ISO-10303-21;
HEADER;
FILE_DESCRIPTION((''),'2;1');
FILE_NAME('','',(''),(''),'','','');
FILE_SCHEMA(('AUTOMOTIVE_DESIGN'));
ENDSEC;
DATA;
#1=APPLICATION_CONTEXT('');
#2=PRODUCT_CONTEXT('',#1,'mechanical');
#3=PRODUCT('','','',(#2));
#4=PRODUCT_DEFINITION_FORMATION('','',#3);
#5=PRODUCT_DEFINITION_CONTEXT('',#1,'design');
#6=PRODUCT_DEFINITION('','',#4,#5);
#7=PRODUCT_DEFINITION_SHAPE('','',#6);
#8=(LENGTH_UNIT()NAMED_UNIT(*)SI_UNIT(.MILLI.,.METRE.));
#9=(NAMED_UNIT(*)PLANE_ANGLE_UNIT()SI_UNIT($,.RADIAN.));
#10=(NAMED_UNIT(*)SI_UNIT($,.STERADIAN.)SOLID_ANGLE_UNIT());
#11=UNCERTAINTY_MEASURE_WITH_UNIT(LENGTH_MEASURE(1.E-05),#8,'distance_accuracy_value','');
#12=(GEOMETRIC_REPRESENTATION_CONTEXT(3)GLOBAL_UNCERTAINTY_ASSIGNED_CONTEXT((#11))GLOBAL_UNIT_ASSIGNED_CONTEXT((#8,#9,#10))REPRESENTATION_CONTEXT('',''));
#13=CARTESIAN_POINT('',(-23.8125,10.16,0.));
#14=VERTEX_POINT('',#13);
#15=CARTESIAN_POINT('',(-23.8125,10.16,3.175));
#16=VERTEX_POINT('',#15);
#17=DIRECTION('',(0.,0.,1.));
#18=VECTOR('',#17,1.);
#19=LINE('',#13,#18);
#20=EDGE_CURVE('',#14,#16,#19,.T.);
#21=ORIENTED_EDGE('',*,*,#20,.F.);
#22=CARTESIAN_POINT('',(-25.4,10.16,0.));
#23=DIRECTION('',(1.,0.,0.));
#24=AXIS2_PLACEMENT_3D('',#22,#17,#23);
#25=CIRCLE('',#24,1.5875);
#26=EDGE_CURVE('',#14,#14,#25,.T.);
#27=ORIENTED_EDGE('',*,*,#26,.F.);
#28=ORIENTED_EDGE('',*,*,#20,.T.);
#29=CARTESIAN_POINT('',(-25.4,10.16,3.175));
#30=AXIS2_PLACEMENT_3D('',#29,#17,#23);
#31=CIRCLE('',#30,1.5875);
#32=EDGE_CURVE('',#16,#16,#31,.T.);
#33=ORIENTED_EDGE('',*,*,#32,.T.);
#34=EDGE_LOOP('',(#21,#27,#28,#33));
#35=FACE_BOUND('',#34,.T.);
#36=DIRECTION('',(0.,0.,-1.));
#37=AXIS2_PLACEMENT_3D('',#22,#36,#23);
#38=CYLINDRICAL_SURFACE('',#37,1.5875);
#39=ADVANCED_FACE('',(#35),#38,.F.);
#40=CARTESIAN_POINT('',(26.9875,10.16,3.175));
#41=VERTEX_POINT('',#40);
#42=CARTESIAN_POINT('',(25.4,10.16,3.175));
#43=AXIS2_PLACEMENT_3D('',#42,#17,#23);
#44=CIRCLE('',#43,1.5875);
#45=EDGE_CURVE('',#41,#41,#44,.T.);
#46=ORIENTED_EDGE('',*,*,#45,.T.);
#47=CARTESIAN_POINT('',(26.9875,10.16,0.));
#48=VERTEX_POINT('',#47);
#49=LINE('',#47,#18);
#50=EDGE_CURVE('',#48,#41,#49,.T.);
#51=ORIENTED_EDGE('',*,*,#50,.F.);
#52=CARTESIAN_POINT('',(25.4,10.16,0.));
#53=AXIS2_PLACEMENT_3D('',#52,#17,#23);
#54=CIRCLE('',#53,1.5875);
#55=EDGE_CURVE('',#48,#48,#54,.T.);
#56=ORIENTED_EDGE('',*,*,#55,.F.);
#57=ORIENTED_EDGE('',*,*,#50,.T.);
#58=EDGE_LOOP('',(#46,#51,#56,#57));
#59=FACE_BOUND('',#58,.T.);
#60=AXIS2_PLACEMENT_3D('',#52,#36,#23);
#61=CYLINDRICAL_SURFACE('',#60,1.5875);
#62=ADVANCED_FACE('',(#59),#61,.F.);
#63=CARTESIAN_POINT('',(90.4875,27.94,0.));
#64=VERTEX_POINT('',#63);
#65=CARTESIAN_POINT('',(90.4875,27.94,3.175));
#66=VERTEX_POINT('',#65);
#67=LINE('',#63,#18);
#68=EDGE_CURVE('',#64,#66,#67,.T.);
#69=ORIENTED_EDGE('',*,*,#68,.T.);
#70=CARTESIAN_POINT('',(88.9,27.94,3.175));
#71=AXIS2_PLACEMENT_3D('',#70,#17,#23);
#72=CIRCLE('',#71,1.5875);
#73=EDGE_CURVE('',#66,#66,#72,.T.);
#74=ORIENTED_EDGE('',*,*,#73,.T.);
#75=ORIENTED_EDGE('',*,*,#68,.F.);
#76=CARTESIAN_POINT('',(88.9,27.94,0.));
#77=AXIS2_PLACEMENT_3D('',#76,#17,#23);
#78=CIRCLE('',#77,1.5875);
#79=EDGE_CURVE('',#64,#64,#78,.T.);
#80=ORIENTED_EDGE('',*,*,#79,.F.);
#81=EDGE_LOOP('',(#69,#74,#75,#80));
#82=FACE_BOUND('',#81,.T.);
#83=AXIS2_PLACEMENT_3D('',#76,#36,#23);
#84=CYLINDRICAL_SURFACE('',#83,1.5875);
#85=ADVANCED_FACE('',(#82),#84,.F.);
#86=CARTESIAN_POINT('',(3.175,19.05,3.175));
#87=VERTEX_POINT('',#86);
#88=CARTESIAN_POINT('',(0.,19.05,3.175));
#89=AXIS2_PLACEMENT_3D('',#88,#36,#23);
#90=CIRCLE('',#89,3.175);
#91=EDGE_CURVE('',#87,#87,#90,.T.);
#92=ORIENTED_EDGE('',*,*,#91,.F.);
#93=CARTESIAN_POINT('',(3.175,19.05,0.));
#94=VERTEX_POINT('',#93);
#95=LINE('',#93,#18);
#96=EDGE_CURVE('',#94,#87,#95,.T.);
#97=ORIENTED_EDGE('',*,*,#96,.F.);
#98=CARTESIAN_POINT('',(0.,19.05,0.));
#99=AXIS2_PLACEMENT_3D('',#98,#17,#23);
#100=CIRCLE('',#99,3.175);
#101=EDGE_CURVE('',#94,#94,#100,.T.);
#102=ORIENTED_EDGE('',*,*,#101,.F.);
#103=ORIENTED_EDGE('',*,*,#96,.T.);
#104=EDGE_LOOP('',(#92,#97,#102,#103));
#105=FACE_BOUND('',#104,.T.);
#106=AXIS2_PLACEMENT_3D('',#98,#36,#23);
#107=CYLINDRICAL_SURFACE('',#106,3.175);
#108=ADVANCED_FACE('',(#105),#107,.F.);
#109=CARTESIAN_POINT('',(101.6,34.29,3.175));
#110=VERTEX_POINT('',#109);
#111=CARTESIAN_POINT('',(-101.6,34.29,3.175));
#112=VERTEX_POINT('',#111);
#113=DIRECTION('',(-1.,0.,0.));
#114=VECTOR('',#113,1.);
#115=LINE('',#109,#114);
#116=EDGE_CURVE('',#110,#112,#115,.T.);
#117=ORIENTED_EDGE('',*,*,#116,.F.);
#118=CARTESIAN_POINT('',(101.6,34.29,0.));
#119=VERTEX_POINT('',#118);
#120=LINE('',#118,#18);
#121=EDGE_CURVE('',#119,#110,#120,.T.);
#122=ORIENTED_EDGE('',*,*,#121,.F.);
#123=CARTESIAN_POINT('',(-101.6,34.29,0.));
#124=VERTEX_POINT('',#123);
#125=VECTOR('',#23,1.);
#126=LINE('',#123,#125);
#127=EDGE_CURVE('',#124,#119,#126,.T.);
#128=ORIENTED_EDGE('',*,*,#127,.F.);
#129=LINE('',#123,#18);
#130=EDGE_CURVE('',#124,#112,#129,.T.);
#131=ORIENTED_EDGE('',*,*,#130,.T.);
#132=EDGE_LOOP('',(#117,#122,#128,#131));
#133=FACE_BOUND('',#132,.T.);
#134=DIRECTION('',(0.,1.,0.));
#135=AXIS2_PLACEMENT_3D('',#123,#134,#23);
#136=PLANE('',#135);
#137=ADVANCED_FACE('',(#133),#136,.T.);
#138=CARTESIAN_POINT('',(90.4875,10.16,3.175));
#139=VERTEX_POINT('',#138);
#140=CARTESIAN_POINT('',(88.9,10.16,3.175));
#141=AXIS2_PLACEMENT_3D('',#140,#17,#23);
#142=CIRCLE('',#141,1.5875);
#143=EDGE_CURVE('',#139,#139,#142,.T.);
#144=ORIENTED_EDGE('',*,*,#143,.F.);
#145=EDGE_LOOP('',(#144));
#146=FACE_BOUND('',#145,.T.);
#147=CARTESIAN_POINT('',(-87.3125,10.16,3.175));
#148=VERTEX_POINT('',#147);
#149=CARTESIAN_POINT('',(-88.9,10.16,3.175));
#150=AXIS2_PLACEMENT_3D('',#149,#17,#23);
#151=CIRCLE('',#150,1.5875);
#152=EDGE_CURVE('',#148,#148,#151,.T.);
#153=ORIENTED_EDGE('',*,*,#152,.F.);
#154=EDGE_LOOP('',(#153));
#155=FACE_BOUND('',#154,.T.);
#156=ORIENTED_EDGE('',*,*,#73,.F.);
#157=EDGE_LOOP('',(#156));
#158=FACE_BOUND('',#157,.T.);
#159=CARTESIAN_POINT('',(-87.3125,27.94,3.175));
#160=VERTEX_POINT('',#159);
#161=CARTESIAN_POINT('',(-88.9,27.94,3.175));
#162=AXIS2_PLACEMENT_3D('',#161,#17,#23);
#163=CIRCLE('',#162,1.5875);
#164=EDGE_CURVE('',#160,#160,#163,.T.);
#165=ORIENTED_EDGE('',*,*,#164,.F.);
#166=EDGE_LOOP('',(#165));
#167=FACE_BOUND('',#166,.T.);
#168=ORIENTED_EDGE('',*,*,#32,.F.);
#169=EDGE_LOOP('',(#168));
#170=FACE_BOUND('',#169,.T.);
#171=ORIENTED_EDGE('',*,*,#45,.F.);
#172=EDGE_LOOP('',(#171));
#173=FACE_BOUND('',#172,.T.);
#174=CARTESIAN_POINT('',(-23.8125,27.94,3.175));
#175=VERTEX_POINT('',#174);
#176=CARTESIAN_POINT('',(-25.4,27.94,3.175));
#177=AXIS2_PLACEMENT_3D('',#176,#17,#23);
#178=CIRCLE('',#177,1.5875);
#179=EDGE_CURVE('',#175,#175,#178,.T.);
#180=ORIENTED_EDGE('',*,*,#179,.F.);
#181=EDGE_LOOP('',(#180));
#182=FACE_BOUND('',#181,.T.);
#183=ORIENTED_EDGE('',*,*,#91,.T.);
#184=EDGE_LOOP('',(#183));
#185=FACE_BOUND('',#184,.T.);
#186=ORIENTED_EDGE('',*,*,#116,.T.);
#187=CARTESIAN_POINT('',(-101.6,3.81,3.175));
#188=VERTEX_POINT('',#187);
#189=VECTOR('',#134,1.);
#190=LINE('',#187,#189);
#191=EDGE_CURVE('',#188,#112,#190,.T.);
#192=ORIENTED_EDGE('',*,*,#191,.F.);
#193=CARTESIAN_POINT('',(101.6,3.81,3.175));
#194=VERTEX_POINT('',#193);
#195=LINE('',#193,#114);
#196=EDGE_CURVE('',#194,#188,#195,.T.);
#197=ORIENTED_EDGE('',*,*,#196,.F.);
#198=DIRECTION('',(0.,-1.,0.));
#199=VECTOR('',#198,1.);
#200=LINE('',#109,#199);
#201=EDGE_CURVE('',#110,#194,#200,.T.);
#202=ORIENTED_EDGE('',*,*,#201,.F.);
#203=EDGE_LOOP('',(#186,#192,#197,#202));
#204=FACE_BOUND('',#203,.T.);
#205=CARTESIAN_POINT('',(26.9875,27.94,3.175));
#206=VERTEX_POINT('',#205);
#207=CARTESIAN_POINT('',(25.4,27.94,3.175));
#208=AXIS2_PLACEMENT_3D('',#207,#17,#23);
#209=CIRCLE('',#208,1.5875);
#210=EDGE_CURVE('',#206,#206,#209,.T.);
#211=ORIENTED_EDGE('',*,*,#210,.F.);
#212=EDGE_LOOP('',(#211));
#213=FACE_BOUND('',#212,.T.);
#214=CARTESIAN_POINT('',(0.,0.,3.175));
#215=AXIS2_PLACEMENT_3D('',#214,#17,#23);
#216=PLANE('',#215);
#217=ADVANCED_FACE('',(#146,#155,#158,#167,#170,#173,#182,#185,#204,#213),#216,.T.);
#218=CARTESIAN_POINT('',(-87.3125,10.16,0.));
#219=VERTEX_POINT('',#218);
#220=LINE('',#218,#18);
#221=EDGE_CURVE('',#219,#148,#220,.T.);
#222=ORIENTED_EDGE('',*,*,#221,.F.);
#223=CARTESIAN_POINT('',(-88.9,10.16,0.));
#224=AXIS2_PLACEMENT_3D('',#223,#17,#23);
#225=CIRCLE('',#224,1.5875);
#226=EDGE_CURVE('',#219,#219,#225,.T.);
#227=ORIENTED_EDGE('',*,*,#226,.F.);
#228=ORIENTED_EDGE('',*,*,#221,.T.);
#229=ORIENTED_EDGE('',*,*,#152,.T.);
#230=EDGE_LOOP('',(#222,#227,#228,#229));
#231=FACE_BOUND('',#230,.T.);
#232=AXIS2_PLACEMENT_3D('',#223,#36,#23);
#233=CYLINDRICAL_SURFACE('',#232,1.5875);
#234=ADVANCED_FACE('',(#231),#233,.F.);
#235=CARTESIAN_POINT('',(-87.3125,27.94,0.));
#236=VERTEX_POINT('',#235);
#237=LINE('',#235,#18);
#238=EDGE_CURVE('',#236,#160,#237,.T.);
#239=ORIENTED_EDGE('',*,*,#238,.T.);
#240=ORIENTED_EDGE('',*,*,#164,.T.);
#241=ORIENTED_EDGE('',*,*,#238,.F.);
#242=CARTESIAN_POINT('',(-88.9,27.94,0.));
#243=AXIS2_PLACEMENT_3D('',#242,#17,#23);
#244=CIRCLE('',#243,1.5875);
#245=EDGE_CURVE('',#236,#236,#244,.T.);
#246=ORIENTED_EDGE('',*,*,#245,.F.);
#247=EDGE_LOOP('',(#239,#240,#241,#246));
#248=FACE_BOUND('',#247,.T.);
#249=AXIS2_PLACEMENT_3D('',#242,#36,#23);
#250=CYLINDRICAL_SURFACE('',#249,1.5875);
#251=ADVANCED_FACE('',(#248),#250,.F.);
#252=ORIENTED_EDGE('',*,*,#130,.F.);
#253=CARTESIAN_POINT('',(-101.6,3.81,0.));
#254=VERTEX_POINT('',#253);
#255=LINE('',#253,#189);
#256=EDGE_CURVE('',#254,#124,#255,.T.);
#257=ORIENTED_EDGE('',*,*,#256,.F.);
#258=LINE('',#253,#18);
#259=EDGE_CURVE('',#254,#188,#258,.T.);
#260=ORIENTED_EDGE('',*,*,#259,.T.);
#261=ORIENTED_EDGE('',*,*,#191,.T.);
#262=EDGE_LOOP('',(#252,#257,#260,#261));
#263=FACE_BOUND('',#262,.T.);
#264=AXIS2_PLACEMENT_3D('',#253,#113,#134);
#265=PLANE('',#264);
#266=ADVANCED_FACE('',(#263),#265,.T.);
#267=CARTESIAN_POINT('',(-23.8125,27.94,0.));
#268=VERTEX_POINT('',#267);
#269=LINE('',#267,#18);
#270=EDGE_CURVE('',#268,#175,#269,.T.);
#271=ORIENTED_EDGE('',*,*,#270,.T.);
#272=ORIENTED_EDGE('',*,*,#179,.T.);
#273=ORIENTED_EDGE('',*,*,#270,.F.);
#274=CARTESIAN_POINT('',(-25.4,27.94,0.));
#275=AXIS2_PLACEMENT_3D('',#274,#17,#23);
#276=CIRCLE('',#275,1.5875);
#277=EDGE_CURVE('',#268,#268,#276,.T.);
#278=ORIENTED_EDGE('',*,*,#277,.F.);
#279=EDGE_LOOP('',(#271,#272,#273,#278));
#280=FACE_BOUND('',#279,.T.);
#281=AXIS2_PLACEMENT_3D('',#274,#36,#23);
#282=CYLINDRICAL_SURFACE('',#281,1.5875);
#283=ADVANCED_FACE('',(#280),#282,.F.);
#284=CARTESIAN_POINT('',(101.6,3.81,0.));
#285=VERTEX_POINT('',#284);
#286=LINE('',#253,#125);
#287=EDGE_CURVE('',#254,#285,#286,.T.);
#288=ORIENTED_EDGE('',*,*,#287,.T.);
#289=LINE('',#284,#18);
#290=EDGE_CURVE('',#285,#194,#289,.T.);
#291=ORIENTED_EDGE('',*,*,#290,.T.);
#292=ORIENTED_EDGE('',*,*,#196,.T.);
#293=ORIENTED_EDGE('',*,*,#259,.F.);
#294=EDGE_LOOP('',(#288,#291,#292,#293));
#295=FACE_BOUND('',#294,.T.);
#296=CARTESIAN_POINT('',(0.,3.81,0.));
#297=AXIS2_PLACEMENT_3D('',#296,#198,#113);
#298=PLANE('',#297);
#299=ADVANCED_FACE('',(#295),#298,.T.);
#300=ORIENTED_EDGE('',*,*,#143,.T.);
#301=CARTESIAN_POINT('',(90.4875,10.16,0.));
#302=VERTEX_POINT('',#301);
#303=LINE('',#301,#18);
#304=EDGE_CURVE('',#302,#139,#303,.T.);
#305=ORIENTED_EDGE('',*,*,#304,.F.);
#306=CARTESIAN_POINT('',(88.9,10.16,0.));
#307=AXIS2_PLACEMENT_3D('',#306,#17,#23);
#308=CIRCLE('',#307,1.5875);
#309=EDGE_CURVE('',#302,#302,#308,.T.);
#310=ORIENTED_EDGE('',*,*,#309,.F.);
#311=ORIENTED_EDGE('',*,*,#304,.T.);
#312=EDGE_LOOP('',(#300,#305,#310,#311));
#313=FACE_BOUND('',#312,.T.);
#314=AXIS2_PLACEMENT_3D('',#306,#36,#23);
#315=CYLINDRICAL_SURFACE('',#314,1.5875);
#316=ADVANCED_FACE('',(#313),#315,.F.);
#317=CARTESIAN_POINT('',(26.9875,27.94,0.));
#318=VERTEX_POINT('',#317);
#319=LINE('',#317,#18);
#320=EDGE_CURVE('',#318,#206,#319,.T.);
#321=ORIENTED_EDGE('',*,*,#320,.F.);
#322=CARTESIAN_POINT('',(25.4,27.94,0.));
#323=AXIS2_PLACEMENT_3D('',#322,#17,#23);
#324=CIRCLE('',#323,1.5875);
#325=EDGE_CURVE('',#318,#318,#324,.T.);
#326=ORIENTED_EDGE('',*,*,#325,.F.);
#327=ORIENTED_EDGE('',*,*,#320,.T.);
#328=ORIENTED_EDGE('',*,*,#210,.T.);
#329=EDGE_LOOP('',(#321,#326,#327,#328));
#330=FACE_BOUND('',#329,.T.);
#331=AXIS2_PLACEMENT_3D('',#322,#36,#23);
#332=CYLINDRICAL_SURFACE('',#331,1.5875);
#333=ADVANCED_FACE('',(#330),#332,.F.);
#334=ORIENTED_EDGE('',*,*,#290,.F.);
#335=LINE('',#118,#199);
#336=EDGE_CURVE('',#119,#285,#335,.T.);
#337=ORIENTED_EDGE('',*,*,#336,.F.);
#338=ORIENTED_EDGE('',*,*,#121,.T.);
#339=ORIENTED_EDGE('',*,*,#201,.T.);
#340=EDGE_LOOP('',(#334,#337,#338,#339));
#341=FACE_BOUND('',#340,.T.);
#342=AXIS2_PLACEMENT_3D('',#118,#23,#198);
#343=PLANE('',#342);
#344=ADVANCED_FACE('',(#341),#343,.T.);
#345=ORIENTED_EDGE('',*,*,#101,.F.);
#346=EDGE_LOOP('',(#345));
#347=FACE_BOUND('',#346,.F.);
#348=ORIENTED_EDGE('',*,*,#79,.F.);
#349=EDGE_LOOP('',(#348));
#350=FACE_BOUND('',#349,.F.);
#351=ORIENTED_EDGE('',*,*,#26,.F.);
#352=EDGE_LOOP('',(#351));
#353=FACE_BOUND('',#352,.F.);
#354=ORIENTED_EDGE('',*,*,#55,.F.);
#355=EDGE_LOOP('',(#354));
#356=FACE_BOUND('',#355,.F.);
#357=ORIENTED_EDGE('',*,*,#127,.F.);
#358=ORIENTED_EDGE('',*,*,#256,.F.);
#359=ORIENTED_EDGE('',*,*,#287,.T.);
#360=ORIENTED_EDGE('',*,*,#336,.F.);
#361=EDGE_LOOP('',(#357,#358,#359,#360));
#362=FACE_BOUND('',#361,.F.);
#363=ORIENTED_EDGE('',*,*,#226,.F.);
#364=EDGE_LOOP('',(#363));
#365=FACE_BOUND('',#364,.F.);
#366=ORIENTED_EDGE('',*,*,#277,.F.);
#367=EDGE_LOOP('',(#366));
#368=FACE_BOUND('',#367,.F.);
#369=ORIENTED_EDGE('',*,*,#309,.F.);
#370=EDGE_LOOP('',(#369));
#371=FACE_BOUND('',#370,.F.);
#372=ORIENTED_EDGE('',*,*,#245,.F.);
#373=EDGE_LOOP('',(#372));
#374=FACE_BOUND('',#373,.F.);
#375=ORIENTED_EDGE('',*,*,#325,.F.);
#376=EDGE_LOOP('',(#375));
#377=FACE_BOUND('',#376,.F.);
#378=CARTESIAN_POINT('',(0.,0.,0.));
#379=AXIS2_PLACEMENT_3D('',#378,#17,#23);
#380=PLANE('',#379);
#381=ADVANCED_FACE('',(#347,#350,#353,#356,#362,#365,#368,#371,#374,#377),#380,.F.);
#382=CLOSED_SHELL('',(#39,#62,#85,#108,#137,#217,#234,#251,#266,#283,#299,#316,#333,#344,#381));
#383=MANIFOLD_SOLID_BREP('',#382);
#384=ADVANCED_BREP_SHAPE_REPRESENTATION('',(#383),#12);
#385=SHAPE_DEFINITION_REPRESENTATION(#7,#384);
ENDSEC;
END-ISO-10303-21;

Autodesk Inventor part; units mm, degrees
ref_plane "YZ Plane" through (0, 0, 0) normal (1, 0, 0) x (0, 1, 0)
ref_plane "XZ Plane" through (0, 0, 0) normal (0, 1, 0) x (-1, 0, 0)
ref_plane "XY Plane" through (0, 0, 0) normal (0, 0, 1) x (1, 0, 0)
sketch "Sketch1" plane through (0, 0, 0) normal (0, 0, 1) x (1, 0, 0)
  line L0 (0, 0) -> (150, 0)
  line L1 (150, 0) -> (150, 38.1)
  line L2 (150, 38.1) -> (0, 38.1)
  line L3 (0, 38.1) -> (0, 0)
  line L4 (0, 0) -> (-549.9999, 0)
  line L5 (-549.9999, 0) -> (-549.9999, 38.1)
  line L6 (-549.9999, 38.1) -> (0, 38.1)
  line L7 (0, 38.1) -> (0, 0)
  circle A0 centre (0, 19.05) radius 3.175
  circle A1 centre (137.3, 19.05) radius 3.175
  circle A2 centre (-537.2999, 25.4) radius 3.175
  circle A3 centre (-499.1999, 12.7) radius 3.175
  line L8 (-101.6, 34.29) -> (101.6, 34.29)
  line L9 (101.6, 34.29) -> (101.6, 3.81)
  line L10 (101.6, 3.81) -> (-101.6, 3.81)
  line L11 (-101.6, 3.81) -> (-101.6, 34.29)
  circle A4 centre (-88.9, 27.94) radius 1.5875
  circle A5 centre (-88.9, 10.16) radius 1.5875
  circle A6 centre (-25.4, 10.16) radius 1.5875
  circle A7 centre (-25.4, 27.94) radius 1.5875
  circle A8 centre (25.4, 27.94) radius 1.5875
  circle A9 centre (25.4, 10.16) radius 1.5875
  circle A10 centre (88.9, 10.16) radius 1.5875
  circle A11 centre (88.9, 27.94) radius 1.5875
  point P0 (150, 19.05)
  point P1 (-101.6, 19.05)
  point P2 (0, 15.875)
  point P3 (0, 22.225)
  dimension "d0" = 150
  dimension "d1" = 38.1
  dimension "d2" = 38.1
  dimension "d3" = 549.9999
  dimension "d4" = 6.35
  dimension "d5" = 6.35
  dimension "d6" = 6.35
  dimension "d7" = 6.35
  dimension "d8" = 12.7
  dimension "d9" = 12.7
  dimension "d10" = 12.7
  dimension "d11" = 50.8
  dimension "d12" = 19.05
  dimension "d13" = 12.7
  dimension "d14" = 203.2
  dimension "d15" = 3.81
  dimension "d16" = 3.81
  dimension "d17" = 101.6
  dimension "d18" = 3.175
  dimension "d19" = 3.175
  dimension "d20" = 3.175
  dimension "d21" = 3.175
  dimension "d22" = 3.175
  dimension "d23" = 3.175
  dimension "d24" = 3.175
  dimension "d25" = 3.175
  dimension "d26" = 6.35
  dimension "d27" = 6.35
  dimension "d28" = 6.35
  dimension "d29" = 6.35
  dimension "d30" = 6.35
  dimension "d31" = 6.35
  dimension "d32" = 12.7
  dimension "d33" = 12.7
  dimension "d34" = 12.7
  dimension "d35" = 12.7
  dimension "d36" = 25.4
  dimension "d37" = 25.4
  dimension "d38" = 25.4
  dimension "d39" = 25.4
  dimension "d40" = 6.35
  dimension "d41" = 6.35
extrude "Extrusion1" add sketch "Sketch1" along normal blind 3.175 contours L10 L11 L8 L3 A0 | L3 A0 L8 L9 L10
properties part number "arm"
